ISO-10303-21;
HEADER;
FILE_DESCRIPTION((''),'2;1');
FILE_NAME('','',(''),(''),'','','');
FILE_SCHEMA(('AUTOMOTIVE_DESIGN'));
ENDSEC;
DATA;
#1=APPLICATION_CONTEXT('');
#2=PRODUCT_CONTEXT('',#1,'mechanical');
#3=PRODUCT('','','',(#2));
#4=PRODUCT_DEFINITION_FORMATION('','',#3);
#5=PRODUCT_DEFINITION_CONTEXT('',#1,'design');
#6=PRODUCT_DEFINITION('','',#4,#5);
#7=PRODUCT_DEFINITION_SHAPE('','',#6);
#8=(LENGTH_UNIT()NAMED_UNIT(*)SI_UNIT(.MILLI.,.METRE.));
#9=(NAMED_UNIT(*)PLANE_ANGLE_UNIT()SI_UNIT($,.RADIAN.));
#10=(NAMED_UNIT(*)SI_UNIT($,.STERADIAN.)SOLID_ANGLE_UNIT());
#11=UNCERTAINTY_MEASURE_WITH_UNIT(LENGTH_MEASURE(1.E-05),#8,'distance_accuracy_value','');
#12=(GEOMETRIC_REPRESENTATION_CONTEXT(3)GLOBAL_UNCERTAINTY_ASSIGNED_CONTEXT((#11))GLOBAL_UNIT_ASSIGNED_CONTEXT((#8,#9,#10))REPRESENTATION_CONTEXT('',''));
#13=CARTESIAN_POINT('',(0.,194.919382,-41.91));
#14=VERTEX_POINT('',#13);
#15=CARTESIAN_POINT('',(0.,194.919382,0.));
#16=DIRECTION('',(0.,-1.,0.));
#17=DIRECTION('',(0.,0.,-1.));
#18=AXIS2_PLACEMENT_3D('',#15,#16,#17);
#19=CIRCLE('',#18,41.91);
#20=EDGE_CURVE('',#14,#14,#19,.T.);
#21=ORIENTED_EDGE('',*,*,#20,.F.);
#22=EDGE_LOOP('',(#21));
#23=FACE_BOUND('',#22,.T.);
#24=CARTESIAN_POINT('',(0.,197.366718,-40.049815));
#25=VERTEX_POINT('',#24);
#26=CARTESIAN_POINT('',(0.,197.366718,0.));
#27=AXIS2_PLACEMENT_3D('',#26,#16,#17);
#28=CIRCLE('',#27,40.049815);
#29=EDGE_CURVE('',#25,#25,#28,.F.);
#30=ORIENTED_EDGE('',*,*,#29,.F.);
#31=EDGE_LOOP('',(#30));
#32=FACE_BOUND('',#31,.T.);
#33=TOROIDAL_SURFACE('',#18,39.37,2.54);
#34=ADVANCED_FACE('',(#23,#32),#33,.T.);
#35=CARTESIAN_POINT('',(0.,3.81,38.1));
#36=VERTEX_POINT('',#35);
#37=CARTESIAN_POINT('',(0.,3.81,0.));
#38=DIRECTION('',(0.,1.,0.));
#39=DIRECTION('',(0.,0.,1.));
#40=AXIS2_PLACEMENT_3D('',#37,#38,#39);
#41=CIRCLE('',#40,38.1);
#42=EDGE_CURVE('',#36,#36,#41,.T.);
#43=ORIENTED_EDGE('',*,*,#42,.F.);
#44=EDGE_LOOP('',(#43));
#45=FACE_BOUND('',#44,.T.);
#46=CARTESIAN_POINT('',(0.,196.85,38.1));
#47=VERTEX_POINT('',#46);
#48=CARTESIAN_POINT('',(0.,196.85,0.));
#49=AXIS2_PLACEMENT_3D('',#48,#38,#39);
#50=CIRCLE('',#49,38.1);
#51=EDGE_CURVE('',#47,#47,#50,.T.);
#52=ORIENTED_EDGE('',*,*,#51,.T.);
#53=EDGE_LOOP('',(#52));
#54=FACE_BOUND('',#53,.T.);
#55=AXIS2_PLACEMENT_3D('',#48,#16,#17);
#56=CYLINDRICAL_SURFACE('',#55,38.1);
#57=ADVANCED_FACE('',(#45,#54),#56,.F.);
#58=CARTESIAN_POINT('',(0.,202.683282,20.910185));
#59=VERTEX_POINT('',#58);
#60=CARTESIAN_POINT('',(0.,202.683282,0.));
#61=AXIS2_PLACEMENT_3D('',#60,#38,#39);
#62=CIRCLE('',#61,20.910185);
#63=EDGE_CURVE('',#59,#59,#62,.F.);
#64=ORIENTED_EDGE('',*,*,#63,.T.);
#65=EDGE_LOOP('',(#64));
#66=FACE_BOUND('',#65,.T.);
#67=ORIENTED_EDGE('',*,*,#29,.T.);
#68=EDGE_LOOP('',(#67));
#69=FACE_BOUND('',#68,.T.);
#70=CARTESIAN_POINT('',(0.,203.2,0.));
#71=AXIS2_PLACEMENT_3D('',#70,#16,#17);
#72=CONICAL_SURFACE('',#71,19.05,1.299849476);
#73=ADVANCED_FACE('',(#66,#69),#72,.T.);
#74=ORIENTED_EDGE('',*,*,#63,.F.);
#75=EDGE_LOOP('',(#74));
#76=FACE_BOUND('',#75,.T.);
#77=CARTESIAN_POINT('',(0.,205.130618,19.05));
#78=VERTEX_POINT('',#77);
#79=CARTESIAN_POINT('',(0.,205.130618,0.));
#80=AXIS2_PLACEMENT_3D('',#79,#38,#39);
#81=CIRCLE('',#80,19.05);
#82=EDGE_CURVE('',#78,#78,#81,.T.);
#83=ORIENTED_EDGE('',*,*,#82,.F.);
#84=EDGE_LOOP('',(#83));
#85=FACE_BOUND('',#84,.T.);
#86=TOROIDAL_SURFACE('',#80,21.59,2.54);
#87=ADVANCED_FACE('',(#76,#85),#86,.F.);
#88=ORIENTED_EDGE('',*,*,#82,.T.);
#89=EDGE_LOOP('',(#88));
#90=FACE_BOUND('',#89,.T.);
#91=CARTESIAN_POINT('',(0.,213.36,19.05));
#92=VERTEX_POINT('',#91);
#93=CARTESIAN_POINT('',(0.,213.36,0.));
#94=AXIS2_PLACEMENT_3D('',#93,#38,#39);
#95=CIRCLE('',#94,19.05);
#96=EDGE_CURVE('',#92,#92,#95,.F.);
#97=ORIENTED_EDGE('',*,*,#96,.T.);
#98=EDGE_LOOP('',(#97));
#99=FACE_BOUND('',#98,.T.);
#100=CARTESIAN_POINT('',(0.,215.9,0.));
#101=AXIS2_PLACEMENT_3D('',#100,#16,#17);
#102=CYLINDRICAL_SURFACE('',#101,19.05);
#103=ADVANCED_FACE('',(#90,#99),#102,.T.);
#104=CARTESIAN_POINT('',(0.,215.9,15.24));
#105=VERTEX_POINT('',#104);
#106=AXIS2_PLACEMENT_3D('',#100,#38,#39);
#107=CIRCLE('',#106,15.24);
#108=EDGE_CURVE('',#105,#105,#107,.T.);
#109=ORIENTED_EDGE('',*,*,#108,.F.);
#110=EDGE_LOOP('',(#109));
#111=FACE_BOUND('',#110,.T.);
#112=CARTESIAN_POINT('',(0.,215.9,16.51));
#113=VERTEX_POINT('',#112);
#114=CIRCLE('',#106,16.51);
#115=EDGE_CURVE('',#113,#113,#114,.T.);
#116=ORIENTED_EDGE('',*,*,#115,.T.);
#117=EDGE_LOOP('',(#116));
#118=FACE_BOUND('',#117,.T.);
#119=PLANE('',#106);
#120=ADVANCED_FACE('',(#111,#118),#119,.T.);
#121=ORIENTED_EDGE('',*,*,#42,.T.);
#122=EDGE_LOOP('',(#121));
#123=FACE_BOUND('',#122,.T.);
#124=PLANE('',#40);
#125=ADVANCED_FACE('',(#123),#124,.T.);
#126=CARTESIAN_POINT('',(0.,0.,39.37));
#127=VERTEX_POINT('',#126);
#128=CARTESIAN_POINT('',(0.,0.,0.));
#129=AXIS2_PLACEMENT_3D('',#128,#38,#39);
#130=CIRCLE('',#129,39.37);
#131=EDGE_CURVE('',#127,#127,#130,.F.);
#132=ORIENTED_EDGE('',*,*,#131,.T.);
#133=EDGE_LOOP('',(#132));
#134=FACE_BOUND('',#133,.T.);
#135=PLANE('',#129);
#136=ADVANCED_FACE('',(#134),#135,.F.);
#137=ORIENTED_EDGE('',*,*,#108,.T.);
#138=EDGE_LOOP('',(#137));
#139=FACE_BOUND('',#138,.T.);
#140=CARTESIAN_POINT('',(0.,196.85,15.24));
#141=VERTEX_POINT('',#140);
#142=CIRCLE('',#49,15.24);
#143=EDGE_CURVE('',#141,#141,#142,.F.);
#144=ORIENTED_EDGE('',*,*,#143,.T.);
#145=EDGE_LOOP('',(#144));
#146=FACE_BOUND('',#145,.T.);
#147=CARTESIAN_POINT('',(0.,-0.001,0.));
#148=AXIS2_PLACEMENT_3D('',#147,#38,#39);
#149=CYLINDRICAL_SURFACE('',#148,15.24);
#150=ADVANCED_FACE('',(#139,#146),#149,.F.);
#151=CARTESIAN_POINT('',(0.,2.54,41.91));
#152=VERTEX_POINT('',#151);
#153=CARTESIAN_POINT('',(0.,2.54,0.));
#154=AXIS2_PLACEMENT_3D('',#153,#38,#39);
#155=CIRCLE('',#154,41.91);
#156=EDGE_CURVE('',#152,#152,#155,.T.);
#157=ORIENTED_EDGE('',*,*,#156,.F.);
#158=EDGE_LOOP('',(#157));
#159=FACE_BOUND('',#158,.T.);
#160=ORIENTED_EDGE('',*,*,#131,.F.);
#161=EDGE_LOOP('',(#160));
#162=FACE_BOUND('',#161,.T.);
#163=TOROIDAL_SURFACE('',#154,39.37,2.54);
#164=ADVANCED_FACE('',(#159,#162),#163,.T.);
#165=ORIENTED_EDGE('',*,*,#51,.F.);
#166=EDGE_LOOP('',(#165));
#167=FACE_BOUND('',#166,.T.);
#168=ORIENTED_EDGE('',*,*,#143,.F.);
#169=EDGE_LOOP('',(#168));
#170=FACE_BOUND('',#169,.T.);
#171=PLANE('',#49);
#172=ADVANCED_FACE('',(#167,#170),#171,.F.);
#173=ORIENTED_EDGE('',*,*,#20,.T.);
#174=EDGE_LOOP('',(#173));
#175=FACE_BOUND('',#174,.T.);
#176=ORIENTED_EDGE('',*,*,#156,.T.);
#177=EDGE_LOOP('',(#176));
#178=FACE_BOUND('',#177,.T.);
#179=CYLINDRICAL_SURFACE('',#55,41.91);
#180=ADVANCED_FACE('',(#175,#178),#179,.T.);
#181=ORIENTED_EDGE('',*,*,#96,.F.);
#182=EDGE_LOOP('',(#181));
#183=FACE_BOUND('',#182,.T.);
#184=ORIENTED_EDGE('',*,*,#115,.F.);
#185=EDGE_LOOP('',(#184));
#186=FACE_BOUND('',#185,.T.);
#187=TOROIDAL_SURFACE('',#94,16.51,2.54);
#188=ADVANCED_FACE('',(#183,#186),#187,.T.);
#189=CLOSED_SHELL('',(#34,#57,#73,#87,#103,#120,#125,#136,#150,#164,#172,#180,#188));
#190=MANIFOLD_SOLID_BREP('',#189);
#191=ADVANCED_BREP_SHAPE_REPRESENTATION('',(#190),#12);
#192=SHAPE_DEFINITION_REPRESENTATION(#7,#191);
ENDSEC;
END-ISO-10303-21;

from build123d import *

# Parameters (mm, degrees)
SKETCH1_R           = 41.91
BOSS_EXTRUDE1_DEPTH = 196.85
SKETCH6_R           = 19.05
BOSS_EXTRUDE4_DEPTH = 12.7
SHELL7_T            = -3.81
CUT_EXTRUDE2_REACH  = 225.888
SKETCH13_R          = 15.24
FILLET12_R          = 2.54


with BuildPart() as part:
    # Sketch1 → Boss-Extrude1 (new body)
    with BuildSketch(Plane(origin=(0, 0, 0), x_dir=(1, 0, 0), z_dir=(0, 1, 0))):
        with Locations(Location((0, 0, 0), (0, 0, 270))):
            Circle(SKETCH1_R)
    extrude(amount=BOSS_EXTRUDE1_DEPTH)

    # Shell7
    shell7_openings = [part.faces().sort_by_distance(p)[0] for p in [
        (0, 196.85, 0),
    ]]
    offset(amount=SHELL7_T, openings=shell7_openings, kind=Kind.INTERSECTION)



with BuildPart() as body_2:
    # Sketch6 → Boss-Extrude4 (new body)
    with BuildSketch(Plane(origin=(0, 203.2, 0), x_dir=(1, 0, 0), z_dir=(0, 1, 0))):
        with Locations(Location((0, 0, 0), (0, 0, 270))):
            Circle(SKETCH6_R)
    extrude(amount=BOSS_EXTRUDE4_DEPTH)


with BuildPart() as part_1:
    add(part.part)

    add(body_2.part)  # loft3 joins it to this body
    # loft up to a face of the part (loft3)
    loft([Face(Wire([part_1.edges().sort_by_distance((30.551075175, 196.85, -28.689369209))[0]])), Face(Wire([part_1.edges().sort_by_distance((-13.886852352, 203.2, -13.040622368))[0]]))])

    # Sketch13 → Cut-Extrude2 (cut, up to next)
    with BuildSketch(Plane(origin=(0, 215.9, 0), x_dir=(1, 0, 0), z_dir=(0, 1, 0)), mode=Mode.PRIVATE) as cut_extrude2_sk1:
        with Locations(Location((0, 0, 0), (0, 0, 270))):
            Circle(SKETCH13_R)
    cut_extrude2_tool1 = extrude(cut_extrude2_sk1.sketch, amount=-CUT_EXTRUDE2_REACH, mode=Mode.PRIVATE) & part_1.part
    add(cut_extrude2_tool1.solids().sort_by_distance((0, 215.9, 0))[0], mode=Mode.SUBTRACT)

    # Fillet12
    fillet12_edges = [part_1.edges().sort_by_distance(p)[0] for p in [
        (0, 215.9, -19.05),
        (0, 0, -41.91),
        (0, 196.85, -41.91),
        (0, 203.2, -19.05),
    ]]
    fillet(fillet12_edges, radius=FILLET12_R)


solid = part_1.part
